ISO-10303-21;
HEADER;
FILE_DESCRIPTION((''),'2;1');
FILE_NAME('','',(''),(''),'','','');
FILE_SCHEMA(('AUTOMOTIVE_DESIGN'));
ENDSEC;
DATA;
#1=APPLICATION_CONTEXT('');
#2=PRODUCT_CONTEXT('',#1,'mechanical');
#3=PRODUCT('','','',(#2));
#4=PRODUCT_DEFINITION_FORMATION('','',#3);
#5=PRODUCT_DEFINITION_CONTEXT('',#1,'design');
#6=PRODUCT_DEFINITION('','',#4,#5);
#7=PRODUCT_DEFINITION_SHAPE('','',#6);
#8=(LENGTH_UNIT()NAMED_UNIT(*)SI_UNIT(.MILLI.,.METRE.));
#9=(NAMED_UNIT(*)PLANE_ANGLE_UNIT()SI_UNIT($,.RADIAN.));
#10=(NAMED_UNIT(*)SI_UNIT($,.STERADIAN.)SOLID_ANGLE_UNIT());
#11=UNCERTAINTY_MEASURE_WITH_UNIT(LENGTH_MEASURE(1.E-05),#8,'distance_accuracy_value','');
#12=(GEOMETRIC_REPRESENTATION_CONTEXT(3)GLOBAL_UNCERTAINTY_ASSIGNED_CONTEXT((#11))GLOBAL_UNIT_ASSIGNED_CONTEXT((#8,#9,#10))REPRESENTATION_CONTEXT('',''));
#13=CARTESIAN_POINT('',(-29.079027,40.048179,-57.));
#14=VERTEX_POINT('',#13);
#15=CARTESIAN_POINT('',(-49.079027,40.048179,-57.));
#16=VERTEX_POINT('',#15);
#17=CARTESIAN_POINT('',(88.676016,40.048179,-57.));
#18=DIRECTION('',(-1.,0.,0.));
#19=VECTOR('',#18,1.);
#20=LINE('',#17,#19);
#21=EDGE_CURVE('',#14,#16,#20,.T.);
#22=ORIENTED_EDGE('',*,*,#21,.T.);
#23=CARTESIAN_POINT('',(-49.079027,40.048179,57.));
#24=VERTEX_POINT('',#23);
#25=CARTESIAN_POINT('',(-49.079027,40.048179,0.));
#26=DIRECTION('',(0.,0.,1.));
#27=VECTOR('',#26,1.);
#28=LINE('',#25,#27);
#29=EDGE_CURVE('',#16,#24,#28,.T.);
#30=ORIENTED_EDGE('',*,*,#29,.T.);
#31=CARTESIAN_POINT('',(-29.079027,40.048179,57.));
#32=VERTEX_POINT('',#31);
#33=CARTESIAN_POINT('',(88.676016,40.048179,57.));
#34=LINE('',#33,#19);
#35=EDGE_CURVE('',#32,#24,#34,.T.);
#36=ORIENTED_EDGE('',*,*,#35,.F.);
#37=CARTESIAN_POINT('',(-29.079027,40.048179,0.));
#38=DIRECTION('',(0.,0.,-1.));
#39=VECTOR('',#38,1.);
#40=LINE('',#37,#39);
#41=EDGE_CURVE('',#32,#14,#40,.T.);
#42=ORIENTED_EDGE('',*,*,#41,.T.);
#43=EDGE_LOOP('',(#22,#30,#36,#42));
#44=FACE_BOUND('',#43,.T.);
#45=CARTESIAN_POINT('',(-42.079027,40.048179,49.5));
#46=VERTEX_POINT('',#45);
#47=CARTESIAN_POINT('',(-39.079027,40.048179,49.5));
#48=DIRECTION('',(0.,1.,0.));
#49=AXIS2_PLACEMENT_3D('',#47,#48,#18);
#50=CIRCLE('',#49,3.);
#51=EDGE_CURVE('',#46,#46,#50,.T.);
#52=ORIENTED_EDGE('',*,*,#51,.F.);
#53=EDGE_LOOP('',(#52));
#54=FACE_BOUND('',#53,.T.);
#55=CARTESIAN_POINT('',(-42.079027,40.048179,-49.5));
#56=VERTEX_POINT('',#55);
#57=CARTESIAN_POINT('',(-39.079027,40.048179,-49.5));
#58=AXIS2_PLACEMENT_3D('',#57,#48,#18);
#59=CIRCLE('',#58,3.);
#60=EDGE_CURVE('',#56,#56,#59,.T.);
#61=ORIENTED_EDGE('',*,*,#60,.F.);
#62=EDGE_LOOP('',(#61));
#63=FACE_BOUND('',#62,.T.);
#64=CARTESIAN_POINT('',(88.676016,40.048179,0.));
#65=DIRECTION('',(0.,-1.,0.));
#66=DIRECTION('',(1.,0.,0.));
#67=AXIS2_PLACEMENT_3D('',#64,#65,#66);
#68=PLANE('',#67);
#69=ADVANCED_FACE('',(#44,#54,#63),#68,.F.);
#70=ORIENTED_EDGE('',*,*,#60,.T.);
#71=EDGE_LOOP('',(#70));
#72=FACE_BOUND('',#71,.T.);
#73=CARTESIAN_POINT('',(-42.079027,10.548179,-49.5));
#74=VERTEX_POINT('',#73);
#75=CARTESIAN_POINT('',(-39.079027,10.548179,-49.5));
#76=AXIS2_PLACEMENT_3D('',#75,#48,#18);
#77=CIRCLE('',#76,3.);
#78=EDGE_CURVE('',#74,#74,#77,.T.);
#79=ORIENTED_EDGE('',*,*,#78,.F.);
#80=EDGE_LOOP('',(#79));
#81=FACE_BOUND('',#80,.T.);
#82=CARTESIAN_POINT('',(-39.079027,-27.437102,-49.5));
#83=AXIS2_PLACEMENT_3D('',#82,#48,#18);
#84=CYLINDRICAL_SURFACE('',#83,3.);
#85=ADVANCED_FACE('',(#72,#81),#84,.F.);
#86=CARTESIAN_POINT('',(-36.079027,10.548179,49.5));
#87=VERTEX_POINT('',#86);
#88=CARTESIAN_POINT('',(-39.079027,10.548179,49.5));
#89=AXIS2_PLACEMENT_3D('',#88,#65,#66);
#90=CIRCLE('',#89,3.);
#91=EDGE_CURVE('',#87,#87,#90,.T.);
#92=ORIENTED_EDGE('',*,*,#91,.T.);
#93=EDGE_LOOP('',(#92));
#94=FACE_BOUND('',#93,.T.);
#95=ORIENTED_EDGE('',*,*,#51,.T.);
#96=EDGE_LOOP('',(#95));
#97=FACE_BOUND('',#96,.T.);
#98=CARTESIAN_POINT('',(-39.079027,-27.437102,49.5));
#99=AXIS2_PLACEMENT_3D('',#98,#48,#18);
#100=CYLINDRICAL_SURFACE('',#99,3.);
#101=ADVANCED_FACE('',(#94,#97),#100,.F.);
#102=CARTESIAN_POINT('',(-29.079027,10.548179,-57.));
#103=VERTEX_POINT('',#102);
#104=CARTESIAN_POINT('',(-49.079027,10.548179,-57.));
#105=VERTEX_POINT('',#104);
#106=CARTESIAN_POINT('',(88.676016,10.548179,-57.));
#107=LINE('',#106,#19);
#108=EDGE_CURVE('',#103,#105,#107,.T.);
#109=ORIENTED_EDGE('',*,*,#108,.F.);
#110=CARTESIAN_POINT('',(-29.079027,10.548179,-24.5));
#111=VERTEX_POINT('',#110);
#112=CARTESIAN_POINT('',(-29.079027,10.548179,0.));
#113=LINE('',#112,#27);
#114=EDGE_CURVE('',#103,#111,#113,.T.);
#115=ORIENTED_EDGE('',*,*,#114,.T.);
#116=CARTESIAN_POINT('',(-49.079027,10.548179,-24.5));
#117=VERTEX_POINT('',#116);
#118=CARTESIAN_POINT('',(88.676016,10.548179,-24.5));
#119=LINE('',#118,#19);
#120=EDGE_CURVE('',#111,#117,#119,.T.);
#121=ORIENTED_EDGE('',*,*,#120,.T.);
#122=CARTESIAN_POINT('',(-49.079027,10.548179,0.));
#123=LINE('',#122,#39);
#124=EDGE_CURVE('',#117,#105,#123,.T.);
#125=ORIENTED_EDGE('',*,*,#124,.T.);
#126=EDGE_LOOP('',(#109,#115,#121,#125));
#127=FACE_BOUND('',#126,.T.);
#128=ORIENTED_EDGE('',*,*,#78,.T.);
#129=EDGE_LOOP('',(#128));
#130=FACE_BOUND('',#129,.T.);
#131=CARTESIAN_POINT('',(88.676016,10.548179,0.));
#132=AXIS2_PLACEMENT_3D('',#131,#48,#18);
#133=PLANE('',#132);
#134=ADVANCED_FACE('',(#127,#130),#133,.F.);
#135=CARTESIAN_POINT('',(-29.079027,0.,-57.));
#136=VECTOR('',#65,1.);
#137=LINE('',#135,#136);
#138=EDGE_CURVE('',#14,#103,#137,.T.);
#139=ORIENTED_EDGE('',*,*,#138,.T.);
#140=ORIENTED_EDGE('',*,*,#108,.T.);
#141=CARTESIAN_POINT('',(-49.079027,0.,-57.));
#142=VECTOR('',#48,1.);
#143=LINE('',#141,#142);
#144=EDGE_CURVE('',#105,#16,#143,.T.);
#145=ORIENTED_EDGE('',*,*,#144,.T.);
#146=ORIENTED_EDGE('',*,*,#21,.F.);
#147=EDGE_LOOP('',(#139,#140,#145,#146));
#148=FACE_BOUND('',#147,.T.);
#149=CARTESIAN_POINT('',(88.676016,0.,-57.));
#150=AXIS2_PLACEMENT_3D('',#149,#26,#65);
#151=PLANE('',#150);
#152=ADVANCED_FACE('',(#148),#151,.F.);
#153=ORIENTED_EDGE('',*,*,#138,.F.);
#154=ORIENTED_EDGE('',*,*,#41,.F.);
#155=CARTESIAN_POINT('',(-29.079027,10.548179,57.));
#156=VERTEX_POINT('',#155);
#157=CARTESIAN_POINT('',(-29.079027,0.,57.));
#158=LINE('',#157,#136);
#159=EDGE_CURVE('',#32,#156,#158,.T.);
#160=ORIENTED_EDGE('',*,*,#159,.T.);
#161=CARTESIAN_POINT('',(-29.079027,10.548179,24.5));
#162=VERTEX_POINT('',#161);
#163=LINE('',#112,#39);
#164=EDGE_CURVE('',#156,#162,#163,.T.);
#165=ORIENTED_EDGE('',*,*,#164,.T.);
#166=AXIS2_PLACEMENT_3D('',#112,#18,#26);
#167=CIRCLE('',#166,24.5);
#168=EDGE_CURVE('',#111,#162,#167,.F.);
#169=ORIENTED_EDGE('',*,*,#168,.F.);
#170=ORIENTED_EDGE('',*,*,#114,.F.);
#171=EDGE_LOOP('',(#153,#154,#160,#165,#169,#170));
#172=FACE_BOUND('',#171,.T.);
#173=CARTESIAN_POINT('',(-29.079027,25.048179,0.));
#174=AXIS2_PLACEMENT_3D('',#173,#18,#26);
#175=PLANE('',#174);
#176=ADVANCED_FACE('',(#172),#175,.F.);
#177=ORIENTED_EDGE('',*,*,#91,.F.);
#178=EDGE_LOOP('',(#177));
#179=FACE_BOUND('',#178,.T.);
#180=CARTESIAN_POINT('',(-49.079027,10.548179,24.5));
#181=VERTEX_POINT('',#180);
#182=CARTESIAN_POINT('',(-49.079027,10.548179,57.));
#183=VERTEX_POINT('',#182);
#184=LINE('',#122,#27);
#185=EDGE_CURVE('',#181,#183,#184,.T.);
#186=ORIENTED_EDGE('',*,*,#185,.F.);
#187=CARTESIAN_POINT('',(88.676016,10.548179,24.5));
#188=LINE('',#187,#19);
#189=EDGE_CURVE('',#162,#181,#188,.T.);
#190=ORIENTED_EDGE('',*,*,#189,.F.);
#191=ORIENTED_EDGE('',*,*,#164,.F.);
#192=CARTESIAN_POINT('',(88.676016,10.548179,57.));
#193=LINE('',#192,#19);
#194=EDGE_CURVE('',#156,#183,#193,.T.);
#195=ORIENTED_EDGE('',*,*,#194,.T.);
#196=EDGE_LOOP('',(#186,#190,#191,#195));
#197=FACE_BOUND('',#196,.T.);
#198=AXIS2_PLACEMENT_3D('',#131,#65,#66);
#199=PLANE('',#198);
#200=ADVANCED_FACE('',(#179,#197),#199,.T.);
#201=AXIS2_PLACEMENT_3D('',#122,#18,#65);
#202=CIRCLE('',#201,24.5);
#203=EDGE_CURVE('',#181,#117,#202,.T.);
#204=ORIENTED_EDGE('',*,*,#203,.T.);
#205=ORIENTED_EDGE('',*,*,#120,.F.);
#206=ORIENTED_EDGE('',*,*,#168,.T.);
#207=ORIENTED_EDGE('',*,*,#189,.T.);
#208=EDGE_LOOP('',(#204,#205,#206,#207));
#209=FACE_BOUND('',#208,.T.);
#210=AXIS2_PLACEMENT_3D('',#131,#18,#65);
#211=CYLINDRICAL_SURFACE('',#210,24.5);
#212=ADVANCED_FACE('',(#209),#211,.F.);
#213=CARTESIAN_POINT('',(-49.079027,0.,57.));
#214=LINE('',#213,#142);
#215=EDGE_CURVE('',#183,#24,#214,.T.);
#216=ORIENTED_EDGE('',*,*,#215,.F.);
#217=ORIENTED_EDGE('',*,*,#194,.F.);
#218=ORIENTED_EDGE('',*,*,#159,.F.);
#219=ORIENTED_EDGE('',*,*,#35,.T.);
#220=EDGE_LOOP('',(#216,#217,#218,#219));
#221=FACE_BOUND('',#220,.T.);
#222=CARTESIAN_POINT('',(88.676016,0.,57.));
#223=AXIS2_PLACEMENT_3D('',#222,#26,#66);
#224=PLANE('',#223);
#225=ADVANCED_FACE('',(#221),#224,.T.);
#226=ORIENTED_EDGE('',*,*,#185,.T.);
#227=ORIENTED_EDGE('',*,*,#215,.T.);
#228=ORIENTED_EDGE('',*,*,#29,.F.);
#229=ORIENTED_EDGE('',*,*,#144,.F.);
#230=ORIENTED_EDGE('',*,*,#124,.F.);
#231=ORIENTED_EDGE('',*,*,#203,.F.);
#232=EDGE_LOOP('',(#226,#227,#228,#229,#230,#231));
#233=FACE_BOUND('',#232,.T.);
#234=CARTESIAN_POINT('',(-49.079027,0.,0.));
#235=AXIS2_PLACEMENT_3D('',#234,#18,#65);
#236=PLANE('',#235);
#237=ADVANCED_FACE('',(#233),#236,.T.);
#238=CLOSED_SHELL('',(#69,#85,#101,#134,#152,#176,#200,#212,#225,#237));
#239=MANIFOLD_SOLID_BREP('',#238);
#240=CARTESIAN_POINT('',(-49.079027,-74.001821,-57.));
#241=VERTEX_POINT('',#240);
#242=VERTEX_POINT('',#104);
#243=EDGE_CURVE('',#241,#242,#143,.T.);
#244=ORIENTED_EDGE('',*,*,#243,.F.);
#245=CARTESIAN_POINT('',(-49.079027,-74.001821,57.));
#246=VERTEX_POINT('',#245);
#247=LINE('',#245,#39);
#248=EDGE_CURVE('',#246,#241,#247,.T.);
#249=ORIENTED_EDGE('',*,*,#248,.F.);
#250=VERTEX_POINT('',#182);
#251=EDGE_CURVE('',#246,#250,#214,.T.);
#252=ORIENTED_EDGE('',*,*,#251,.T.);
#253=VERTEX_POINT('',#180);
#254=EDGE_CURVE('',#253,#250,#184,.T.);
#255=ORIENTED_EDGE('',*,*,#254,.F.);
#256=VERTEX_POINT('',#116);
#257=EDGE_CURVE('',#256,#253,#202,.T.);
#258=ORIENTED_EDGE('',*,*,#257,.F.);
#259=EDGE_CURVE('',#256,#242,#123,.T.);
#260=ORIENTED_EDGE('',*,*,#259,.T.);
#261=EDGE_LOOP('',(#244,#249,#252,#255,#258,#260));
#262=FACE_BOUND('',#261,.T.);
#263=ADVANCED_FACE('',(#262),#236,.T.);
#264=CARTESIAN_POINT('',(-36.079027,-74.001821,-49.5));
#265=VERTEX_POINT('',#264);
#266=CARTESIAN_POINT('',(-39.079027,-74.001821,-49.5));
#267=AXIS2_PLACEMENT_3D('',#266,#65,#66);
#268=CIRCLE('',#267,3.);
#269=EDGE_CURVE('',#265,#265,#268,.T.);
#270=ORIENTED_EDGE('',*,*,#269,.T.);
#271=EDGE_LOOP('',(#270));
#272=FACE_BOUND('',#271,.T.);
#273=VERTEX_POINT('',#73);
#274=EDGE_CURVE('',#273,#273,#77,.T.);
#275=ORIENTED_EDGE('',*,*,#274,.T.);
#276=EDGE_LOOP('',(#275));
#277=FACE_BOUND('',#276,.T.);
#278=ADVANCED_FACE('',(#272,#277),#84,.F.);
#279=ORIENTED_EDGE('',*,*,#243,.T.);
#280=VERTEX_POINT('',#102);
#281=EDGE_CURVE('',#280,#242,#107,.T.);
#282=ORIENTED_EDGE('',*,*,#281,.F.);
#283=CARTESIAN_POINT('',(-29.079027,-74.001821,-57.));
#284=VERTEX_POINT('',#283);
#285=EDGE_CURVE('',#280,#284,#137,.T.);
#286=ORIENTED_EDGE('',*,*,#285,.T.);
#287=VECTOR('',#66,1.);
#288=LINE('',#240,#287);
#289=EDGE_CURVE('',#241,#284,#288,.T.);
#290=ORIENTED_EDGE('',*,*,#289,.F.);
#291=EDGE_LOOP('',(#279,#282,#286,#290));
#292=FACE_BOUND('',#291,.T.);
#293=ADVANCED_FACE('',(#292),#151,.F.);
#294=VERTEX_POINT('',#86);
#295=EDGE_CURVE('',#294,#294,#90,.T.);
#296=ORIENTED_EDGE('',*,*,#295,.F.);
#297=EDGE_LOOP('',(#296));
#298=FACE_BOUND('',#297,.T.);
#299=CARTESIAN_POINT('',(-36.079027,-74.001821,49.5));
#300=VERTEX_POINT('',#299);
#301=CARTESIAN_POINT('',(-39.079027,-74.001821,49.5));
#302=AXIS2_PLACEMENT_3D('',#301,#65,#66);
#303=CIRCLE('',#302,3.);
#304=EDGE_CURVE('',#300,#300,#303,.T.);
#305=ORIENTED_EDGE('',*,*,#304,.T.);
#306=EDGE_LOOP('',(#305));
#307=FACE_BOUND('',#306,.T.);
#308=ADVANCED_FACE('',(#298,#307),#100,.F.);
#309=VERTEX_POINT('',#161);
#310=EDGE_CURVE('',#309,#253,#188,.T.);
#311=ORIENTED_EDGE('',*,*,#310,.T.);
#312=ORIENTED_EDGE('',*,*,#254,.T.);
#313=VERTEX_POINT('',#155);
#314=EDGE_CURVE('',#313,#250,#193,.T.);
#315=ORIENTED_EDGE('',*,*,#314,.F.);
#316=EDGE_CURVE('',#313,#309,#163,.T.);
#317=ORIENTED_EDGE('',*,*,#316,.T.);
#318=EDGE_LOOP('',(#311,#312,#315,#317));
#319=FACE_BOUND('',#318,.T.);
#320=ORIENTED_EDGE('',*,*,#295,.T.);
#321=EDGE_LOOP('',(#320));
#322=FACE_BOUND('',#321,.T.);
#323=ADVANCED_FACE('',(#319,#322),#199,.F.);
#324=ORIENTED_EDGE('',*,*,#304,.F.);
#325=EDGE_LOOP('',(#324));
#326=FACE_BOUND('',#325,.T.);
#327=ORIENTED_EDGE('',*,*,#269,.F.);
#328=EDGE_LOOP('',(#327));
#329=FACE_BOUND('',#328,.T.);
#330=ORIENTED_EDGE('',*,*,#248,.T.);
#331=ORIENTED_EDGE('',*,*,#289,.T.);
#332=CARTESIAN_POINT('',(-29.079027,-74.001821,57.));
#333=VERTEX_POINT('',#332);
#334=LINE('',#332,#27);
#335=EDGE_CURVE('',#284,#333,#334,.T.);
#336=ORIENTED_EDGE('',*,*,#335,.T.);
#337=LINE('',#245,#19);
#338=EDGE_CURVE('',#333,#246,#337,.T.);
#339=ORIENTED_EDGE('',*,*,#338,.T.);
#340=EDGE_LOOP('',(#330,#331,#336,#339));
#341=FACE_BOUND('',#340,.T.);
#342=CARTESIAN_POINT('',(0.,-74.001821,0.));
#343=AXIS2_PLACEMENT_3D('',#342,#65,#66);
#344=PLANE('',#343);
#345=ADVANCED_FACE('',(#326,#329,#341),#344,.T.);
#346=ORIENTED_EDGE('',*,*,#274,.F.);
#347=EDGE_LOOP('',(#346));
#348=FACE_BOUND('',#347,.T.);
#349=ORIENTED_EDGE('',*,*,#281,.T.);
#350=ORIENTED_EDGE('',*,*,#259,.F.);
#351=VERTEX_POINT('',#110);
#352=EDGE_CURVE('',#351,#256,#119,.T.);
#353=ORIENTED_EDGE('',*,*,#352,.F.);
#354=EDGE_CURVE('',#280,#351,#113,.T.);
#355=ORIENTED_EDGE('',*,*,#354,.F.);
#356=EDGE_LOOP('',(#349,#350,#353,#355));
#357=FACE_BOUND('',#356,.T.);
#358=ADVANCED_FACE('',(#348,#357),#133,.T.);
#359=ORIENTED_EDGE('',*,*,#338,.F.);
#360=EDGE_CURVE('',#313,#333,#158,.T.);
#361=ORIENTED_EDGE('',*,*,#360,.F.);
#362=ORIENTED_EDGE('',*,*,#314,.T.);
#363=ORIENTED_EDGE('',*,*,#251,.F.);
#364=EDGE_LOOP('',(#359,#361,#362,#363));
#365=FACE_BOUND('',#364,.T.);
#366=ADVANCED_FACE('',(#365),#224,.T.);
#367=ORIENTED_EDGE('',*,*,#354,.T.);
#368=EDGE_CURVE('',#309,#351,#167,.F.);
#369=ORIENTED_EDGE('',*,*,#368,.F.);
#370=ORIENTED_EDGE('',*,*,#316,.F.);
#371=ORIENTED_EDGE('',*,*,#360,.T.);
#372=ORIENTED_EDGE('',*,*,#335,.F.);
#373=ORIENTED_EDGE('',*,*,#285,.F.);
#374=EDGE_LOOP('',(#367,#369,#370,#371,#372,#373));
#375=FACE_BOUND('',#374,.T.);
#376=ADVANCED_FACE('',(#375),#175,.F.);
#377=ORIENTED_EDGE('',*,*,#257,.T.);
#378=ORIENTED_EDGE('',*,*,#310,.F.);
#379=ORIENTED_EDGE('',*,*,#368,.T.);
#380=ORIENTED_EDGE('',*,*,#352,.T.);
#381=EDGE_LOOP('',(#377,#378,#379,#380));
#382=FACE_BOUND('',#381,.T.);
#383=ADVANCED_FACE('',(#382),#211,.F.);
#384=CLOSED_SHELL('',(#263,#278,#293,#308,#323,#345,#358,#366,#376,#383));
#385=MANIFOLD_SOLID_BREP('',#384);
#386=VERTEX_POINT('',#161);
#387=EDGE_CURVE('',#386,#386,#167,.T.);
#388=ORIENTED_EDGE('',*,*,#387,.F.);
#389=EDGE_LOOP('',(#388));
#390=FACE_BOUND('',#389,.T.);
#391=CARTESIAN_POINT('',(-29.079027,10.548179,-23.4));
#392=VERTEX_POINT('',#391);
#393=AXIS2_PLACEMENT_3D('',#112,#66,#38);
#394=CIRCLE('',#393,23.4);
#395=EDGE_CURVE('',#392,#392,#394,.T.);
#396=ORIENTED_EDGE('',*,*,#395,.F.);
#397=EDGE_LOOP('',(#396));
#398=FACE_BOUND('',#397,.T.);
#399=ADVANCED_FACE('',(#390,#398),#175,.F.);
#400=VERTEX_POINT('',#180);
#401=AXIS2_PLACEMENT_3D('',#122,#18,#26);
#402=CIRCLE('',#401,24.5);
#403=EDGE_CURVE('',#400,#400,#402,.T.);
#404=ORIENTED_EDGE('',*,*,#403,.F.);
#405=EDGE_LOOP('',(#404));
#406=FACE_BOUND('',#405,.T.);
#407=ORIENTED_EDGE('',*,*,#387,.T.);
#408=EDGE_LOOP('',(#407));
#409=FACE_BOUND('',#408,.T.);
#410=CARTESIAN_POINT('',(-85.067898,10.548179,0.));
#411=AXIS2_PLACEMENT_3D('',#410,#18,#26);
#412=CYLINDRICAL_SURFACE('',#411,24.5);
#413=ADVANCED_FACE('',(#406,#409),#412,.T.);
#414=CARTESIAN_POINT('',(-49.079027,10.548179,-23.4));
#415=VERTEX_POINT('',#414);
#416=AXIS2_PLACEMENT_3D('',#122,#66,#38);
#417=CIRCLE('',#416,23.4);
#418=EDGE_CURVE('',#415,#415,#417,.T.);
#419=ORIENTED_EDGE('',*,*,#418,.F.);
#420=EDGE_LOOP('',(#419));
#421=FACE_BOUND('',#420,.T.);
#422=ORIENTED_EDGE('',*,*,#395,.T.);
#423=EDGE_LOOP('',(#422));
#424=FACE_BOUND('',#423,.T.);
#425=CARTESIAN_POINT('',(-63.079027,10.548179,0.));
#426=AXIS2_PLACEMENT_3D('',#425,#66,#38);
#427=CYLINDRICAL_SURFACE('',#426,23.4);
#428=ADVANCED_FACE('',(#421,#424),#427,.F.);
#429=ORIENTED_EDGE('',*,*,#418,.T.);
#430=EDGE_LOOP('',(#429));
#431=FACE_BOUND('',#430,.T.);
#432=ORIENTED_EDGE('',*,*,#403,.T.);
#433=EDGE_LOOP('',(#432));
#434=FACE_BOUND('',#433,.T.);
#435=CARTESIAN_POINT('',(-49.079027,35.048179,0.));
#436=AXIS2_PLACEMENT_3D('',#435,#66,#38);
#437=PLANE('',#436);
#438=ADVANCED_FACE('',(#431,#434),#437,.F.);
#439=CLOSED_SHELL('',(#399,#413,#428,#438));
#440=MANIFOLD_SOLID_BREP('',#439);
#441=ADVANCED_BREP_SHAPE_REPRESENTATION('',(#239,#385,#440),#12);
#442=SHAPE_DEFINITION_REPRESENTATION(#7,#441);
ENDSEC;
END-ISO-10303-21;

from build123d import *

# Parameters (mm, degrees)
BOSS_EXTRUDE2_DEPTH = 20
BOSS_EXTRUDE3_DEPTH = 20
SKETCH3_R           = 3
CUT_EXTRUDE1_DEPTH  = 59
SKETCH4_W           = 20
SKETCH4_H           = 114
SKETCH4_R           = 3
BOSS_EXTRUDE5_DEPTH = 55.05
SKETCH5_R           = 23.4
CUT_EXTRUDE2_DEPTH  = 34


with BuildPart() as part:
    # Sketch1 → Revolve1 (revolve)
    with BuildSketch(Plane.XY):
        Polygon((-44.079026729, 28.048179476), (-34.079026729, 28.048179476), (-34.079026729, 25.048179476), (-29.079026729, 25.048179476), (-29.079026729, 35.048179476), (-49.079026729, 35.048179476), (-49.079026729, 28.048179476), (-46.079026729, 28.048179476), (-46.079026729, 29.048179476), (-44.079026729, 29.048179476), align=None)
    revolve(axis=Axis((-85.067898311, 10.548179476, 0), (1, 0, 0)))

    # Sketch5 → Cut-Extrude2 (cut)
    with BuildSketch(Plane(origin=(-29.079026729, 0, 0), x_dir=(0, 0, -1), z_dir=(1, 0, 0))):
        with Locations((0, 10.548179476)):
            Circle(SKETCH5_R)
    extrude(amount=-CUT_EXTRUDE2_DEPTH, mode=Mode.SUBTRACT)


with BuildPart() as body_2:
    # Sketch2 → Boss-Extrude2 (new body)
    with BuildSketch(Plane.ZY.offset(49.079026729)):
        with BuildLine():
            Line((-57, 10.548179476), (-24.5, 10.548179476))
            ThreePointArc((-24.5, 10.548179476), (0, 35.048179476), (24.5, 10.548179476))
            Line((24.5, 10.548179476), (57, 10.548179476))
            Line((57, 10.548179476), (57, 40.048179476))
            Line((57, 40.048179476), (-57, 40.048179476))
            Line((-57, 40.048179476), (-57, 10.548179476))
        make_face()
    extrude(amount=-BOSS_EXTRUDE2_DEPTH)


with BuildPart() as body_3:
    # Sketch2<3> → Boss-Extrude3 (new body)
    with BuildSketch(Plane.ZY.offset(49.079026729)):
        with BuildLine():
            ThreePointArc((24.5, 10.548179476), (0, -13.951820524), (-24.5, 10.548179476))
            Line((-24.5, 10.548179476), (-57, 10.548179476))
            Line((-57, 10.548179476), (-57, -18.951820524))
            Line((-57, -18.951820524), (57, -18.951820524))
            Line((57, -18.951820524), (57, 10.548179476))
            Line((57, 10.548179476), (24.5, 10.548179476))
        make_face()
    extrude(amount=-BOSS_EXTRUDE3_DEPTH)


with BuildPart() as cut_extrude1_tool:
    # Sketch3 → Cut-Extrude1 (new body)
    with BuildSketch(Plane(origin=(0, 40.048179476, 0), x_dir=(1, 0, 0), z_dir=(0, 1, 0))):
        with Locations((-39.079026729, 49.5)):
            Circle(SKETCH3_R)
        with Locations((-39.079026729, -49.5)):
            Circle(SKETCH3_R)
    extrude(amount=-CUT_EXTRUDE1_DEPTH)


with BuildPart() as body_2_1:
    add(body_2.part)

    # Cut-Extrude1: cut by cut_extrude1_tool
    add(cut_extrude1_tool.part, mode=Mode.SUBTRACT)


with BuildPart() as body_3_1:
    add(body_3.part)

    # Cut-Extrude1: cut by cut_extrude1_tool
    add(cut_extrude1_tool.part, mode=Mode.SUBTRACT)

    # Sketch4 → Boss-Extrude5 (add)
    with BuildSketch(Plane.XZ.offset(18.951820524)):
        with Locations((-39.079026729, 0)):
            Rectangle(SKETCH4_W, SKETCH4_H)
        with Locations((-39.079026729, 49.5)):
            Circle(SKETCH4_R, mode=Mode.SUBTRACT)
        with Locations((-39.079026729, -49.5)):
            Circle(SKETCH4_R, mode=Mode.SUBTRACT)
    extrude(amount=BOSS_EXTRUDE5_DEPTH)


solid = Compound([part.part, body_2_1.part, body_3_1.part])
